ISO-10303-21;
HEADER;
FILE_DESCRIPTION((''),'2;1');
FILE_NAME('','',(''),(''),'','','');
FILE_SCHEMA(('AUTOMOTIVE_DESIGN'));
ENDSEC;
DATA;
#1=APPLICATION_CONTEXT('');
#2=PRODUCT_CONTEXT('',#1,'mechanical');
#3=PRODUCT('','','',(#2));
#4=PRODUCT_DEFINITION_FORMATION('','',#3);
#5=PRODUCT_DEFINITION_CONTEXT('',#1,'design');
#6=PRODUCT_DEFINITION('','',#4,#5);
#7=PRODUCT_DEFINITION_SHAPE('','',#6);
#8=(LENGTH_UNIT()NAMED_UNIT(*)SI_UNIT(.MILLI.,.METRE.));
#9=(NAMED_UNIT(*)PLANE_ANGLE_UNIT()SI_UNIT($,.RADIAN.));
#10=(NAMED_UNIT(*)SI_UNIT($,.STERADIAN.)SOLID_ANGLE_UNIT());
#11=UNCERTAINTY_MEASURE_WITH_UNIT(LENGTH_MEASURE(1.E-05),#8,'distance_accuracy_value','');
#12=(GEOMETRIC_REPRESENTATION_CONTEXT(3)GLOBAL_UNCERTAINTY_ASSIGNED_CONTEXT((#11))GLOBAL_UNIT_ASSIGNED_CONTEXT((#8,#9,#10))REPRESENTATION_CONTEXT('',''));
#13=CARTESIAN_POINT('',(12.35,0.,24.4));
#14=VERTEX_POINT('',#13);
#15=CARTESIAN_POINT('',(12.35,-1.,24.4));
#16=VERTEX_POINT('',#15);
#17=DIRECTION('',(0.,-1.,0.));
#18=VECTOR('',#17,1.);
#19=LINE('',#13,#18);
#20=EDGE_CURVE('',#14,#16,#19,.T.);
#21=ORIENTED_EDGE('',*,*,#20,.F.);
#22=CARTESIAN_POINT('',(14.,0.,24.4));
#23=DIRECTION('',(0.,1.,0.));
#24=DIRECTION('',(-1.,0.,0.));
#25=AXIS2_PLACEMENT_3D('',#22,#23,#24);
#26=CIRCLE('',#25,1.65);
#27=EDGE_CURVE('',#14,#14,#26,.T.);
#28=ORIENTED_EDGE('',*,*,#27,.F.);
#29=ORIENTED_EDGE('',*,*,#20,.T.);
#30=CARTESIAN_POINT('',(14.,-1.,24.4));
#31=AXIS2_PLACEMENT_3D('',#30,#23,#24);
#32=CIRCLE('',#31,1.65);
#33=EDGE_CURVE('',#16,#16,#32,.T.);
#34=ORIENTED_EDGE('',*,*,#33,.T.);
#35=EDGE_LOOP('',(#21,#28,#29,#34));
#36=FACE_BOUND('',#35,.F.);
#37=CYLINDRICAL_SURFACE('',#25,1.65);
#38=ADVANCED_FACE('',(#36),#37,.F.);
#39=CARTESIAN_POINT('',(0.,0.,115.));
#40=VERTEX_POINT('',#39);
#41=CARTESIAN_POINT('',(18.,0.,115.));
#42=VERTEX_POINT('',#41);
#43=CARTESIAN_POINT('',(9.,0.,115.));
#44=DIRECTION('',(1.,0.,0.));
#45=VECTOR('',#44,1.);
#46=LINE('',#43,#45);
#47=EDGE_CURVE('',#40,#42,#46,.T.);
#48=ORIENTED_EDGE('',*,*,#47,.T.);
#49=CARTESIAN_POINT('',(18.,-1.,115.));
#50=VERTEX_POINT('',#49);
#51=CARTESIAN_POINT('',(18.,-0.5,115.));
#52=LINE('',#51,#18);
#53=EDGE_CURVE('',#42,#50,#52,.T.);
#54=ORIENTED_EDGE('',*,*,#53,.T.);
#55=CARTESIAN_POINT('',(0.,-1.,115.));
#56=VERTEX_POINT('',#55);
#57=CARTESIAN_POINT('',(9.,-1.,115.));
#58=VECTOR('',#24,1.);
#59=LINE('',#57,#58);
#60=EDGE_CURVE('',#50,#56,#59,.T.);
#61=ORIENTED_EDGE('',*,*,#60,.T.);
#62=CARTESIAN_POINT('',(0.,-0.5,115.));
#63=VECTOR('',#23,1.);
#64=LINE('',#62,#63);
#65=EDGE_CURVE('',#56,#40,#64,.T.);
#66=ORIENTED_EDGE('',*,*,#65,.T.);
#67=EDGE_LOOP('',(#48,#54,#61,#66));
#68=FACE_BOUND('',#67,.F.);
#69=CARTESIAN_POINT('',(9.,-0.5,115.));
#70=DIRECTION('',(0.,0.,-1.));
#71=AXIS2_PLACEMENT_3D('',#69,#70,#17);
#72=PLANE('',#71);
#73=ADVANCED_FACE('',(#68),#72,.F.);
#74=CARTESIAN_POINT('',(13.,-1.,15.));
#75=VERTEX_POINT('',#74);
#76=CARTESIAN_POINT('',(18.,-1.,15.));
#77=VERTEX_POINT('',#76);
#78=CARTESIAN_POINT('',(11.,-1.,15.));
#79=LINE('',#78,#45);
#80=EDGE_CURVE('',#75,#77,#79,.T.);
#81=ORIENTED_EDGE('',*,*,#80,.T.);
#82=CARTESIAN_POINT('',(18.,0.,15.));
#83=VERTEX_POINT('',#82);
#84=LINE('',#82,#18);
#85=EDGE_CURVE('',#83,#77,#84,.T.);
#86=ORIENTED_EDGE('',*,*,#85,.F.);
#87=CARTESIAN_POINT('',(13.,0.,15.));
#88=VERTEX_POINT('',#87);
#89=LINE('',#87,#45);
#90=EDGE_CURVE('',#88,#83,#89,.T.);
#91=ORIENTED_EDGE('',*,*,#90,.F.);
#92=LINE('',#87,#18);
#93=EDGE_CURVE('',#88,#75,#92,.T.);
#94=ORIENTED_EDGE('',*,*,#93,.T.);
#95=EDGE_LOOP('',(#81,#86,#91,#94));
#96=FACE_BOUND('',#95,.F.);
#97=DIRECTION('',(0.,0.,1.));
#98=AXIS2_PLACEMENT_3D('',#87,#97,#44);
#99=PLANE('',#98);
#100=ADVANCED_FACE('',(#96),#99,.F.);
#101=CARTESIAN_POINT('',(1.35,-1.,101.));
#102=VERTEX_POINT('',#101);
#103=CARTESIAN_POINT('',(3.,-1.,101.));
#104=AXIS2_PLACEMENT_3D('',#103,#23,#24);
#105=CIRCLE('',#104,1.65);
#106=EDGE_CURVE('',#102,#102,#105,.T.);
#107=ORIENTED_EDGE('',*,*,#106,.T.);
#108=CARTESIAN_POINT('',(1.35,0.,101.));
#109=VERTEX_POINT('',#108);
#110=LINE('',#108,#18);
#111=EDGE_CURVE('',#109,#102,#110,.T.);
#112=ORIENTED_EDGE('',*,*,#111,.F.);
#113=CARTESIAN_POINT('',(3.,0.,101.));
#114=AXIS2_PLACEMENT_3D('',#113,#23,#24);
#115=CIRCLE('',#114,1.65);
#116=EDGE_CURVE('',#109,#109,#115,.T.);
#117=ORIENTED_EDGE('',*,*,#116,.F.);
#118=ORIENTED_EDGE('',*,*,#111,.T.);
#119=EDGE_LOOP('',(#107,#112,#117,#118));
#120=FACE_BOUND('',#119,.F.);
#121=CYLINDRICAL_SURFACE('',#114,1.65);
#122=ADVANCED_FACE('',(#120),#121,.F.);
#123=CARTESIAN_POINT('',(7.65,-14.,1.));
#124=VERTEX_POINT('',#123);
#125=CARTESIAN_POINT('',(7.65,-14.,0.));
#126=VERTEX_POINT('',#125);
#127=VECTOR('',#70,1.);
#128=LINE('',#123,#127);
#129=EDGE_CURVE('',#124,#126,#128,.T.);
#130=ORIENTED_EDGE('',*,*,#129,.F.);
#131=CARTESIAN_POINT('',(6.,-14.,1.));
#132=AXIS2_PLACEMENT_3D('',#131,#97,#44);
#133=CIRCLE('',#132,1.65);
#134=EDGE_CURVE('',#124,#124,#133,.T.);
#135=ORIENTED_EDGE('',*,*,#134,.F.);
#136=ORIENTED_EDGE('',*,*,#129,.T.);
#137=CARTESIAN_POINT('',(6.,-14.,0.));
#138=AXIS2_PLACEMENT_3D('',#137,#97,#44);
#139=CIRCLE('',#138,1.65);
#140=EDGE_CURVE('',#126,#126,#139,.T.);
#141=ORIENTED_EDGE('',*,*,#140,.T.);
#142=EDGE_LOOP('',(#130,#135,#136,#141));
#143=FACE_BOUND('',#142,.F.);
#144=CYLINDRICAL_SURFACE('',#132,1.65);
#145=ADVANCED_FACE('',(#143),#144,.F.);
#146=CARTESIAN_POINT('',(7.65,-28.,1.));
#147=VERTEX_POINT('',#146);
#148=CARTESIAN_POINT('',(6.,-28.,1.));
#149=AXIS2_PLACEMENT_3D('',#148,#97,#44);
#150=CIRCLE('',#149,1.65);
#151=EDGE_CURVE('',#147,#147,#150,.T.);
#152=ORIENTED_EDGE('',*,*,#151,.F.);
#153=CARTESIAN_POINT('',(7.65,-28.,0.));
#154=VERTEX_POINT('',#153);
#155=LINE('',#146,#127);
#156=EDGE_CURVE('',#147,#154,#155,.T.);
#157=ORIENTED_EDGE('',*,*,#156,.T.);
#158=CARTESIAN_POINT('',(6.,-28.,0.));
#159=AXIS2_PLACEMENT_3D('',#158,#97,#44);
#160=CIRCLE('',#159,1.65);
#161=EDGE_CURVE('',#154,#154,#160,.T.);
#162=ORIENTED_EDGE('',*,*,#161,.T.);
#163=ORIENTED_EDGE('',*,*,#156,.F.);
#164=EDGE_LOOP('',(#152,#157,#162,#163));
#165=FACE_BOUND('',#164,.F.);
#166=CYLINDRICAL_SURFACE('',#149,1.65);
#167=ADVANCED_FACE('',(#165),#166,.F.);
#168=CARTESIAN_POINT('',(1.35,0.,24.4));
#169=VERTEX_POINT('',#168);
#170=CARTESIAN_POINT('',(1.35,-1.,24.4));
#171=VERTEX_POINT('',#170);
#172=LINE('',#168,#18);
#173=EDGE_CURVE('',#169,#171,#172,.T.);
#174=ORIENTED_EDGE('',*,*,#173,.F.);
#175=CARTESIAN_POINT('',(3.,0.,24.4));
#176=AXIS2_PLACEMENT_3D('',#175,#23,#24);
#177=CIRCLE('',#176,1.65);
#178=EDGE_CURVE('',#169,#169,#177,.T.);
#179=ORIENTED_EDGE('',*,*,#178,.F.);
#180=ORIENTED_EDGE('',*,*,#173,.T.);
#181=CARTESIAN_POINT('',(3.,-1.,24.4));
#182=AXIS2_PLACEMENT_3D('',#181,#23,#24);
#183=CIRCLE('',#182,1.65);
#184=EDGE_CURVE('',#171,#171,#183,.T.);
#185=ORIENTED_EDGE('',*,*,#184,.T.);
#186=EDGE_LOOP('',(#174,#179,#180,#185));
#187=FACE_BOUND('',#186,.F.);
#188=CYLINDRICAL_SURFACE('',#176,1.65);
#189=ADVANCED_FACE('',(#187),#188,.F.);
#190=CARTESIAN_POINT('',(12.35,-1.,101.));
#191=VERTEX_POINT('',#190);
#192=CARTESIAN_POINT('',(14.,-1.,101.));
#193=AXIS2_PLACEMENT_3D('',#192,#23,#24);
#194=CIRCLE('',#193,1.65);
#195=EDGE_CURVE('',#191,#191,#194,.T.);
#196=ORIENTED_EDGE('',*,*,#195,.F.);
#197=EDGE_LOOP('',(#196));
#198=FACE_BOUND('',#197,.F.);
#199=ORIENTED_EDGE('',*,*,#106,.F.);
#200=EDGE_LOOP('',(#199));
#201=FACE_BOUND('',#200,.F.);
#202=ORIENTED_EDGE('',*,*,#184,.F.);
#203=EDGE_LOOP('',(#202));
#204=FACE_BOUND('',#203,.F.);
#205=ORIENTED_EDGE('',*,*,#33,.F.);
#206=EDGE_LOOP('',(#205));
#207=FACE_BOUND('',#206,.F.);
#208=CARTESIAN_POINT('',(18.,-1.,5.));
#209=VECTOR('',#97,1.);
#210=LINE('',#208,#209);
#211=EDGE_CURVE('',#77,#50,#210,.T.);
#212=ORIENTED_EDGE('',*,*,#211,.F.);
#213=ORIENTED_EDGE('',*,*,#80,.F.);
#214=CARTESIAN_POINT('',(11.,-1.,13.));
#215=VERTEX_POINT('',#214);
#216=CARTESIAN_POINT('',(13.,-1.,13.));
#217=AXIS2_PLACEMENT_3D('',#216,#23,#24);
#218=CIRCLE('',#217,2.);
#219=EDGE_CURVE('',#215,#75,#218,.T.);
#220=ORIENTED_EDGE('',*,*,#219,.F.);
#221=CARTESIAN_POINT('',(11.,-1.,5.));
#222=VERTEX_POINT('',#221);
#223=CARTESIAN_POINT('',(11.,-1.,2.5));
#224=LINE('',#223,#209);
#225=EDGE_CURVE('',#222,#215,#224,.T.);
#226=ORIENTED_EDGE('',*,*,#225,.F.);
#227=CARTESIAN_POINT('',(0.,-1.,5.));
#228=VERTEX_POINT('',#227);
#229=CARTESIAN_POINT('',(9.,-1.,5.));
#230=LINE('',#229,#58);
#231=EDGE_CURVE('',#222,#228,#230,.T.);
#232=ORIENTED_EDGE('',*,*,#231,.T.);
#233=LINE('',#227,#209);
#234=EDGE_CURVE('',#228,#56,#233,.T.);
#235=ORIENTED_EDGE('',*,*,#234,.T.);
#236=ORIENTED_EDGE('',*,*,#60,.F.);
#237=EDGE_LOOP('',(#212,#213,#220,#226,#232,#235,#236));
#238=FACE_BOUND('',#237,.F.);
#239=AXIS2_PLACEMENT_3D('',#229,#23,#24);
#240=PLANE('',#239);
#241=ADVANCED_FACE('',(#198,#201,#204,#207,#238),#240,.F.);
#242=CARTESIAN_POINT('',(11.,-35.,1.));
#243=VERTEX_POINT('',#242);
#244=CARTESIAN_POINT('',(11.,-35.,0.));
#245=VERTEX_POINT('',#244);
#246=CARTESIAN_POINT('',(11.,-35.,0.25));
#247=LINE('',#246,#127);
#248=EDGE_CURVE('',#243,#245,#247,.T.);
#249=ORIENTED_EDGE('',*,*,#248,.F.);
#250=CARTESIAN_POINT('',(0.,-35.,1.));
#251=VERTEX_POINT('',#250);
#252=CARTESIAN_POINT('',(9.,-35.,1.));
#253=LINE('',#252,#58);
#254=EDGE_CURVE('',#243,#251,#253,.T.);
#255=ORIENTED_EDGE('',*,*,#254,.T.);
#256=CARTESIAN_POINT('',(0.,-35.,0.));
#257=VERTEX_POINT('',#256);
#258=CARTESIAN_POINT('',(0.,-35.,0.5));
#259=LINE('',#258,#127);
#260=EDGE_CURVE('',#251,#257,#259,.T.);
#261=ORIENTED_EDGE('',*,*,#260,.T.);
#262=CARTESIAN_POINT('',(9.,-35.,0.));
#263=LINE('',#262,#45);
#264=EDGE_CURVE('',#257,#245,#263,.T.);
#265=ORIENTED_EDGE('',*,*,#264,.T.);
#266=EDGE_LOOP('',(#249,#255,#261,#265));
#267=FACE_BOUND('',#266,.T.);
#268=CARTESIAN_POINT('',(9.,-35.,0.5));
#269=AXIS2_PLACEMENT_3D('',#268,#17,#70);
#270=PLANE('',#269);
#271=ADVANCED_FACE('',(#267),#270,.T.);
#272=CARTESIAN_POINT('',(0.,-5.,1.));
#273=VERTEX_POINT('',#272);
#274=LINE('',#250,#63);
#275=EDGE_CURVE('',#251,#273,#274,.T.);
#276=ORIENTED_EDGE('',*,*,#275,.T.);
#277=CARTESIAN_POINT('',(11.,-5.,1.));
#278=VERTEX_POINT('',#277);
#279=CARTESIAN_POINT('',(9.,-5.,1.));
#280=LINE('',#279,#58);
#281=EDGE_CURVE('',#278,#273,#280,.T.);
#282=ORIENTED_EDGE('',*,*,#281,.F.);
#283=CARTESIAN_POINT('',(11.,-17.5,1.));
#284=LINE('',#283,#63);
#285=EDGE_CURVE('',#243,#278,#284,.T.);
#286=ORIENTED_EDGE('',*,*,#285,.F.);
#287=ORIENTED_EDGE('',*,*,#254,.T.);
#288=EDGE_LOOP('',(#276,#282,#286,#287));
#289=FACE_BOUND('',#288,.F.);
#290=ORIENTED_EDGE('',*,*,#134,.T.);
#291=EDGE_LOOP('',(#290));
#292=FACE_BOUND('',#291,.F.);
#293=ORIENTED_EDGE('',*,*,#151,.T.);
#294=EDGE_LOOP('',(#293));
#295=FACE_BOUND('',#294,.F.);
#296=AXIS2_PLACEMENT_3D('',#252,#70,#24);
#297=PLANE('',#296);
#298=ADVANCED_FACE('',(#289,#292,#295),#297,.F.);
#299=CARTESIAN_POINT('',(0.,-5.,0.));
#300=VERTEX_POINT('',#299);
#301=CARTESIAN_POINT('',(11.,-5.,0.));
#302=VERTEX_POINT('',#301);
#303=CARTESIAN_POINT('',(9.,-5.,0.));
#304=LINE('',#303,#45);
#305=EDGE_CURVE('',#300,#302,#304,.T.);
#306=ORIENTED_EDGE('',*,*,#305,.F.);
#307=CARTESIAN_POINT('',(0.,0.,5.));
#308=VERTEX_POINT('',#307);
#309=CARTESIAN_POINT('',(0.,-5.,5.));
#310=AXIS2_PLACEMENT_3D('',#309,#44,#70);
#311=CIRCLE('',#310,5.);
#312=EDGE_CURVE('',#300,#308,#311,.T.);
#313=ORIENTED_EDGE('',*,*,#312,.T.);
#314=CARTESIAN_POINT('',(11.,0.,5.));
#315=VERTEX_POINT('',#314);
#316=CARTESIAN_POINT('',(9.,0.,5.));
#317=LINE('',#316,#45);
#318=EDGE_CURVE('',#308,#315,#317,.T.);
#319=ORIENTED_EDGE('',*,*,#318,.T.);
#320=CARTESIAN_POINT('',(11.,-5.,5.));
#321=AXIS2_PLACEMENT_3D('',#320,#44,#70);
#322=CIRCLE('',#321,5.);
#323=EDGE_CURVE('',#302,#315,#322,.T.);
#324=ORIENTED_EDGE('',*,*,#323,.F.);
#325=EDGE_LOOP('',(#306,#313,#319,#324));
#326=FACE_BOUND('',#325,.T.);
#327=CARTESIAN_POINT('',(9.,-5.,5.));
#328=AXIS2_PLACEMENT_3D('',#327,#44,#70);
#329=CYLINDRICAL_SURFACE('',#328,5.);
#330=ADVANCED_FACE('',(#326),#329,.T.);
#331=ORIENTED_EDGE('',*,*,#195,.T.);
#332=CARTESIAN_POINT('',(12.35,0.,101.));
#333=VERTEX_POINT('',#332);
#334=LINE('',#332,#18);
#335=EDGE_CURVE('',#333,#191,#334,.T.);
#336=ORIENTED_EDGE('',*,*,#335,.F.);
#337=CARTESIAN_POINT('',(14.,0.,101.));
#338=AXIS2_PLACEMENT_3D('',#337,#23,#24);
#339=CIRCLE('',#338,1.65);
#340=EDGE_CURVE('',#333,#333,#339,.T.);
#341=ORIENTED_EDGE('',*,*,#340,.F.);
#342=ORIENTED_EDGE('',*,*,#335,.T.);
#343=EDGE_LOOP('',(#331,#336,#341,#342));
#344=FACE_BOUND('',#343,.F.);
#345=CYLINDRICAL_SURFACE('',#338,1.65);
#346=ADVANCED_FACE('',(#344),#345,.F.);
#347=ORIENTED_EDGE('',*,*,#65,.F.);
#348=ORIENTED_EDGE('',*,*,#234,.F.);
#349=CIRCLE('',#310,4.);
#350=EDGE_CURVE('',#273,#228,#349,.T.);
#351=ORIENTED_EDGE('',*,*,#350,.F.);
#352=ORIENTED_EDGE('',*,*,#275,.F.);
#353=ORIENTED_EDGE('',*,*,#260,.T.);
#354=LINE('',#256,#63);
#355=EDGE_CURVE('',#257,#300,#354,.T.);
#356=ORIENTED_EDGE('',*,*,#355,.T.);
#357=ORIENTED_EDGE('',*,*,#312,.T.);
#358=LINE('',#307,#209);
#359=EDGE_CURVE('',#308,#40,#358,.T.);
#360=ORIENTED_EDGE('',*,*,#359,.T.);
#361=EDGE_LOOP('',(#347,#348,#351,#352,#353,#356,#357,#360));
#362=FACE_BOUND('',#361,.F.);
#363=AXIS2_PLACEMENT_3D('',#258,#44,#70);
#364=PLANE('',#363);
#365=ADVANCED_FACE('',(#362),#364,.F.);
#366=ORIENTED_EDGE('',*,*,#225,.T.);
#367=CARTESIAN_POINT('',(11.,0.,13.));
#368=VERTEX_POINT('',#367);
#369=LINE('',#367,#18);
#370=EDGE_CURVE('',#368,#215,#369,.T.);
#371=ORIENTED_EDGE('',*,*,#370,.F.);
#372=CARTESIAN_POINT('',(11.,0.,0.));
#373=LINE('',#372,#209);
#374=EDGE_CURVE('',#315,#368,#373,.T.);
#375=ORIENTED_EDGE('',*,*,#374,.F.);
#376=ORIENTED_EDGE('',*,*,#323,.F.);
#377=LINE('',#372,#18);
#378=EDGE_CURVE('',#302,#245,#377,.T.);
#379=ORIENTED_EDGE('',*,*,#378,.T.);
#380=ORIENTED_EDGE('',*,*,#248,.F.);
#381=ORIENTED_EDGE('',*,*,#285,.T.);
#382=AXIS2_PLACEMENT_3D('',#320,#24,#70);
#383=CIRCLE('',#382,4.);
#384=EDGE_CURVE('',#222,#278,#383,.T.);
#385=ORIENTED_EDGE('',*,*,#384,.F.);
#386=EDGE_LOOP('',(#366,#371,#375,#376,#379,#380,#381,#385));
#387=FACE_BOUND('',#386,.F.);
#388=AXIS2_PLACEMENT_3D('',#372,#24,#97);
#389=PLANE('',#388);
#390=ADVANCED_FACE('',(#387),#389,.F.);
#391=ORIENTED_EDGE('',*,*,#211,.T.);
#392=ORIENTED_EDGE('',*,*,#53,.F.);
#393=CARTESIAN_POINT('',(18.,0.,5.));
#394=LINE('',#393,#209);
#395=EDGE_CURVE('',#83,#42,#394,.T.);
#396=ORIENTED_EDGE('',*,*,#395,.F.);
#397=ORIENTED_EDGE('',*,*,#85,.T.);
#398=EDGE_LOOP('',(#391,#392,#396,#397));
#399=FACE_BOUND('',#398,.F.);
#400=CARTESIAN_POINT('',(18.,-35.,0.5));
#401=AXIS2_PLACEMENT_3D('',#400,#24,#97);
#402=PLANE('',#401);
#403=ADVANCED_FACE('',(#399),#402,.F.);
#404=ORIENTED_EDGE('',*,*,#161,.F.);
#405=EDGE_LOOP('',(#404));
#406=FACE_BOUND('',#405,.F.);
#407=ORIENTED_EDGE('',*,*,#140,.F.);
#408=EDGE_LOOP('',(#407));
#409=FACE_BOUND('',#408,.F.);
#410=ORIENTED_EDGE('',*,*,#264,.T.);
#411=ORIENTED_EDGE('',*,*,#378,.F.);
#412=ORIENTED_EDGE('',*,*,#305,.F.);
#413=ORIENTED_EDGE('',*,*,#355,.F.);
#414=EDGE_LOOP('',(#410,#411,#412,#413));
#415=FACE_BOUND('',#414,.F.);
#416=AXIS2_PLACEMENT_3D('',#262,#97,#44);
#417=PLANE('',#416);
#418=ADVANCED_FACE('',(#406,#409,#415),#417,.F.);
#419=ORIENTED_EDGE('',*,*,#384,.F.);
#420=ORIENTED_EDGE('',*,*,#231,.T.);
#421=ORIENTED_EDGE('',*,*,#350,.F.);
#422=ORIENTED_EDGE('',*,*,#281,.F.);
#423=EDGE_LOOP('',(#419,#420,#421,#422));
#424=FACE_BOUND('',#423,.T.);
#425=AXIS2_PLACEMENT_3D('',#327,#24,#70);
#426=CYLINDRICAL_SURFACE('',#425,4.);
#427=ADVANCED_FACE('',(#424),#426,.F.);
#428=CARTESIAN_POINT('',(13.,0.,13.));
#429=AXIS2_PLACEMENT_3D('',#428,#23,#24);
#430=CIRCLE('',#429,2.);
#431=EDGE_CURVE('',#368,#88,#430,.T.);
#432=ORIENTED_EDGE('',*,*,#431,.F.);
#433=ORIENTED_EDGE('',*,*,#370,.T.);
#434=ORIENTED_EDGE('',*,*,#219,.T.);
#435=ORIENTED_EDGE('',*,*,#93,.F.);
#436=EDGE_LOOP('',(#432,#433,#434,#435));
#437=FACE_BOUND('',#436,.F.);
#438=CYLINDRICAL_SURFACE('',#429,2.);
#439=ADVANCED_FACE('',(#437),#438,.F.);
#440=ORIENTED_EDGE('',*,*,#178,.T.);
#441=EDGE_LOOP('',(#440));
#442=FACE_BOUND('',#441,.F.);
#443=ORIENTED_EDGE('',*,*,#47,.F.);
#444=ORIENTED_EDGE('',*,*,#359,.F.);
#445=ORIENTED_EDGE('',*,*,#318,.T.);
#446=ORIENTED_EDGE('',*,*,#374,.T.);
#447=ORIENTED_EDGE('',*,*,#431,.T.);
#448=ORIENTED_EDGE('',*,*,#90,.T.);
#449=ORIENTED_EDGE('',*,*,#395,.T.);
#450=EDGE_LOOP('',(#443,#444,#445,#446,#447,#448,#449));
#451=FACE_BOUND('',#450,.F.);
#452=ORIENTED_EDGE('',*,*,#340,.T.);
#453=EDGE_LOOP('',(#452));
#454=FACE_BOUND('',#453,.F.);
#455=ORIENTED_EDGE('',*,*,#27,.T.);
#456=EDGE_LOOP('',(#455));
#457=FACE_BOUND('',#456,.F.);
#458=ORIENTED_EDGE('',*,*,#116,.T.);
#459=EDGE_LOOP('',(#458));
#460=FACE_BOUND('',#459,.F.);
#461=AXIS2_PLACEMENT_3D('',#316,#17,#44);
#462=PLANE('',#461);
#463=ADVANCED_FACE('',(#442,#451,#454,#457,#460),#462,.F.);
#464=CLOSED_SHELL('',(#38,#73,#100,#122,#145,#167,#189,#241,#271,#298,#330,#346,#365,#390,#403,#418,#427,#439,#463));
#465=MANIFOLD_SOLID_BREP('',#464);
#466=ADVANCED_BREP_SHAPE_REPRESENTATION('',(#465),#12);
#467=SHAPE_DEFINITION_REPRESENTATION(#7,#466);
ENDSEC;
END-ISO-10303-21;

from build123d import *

# Parameters (mm, degrees)
F2_W     = 18
F2_H     = 1
F4_R     = 1.65
F5_DEPTH = 1
F6_R     = 1.65
F7_DEPTH = 35.001


with BuildPart() as f3:
    # F3: sweep along a path in F0
    with BuildLine(Plane.YZ) as f3_path:
        Line((-35, 0), (-5, 0))
        ThreePointArc((-5, 0), (-1.4644660941, 1.4644660941), (0, 5))
        Line((0, 5), (0, 115))
    # F2 (on plane+point) → F3 (sweep)
    with BuildSketch(Plane.XZ.offset(35)):
        with Locations((9, 0.5)):
            Rectangle(F2_W, F2_H)
    sweep(path=f3_path.line)

    # F4 (on face) → F5 (cut, through all)
    with BuildSketch(Plane.XY.offset(1)):
        with Locations((6, -14)):
            Circle(F4_R)
        with Locations((6, -28)):
            Circle(F4_R)
    extrude(amount=-F5_DEPTH, mode=Mode.SUBTRACT)

    # F6 (on face) → F7 (cut, through all)
    with BuildSketch(Plane(origin=(0, 0, 0), x_dir=(-1, 0, 0), z_dir=(0, 1, 0))):
        with Locations((-3, 24.4)):
            Circle(F6_R)
        with Locations((-14, 24.4)):
            Circle(F6_R)
        with Locations((-14, 101)):
            Circle(F6_R)
        with Locations((-3, 101)):
            Circle(F6_R)
        with BuildLine():
            Line((-18, 15), (-18, 0))
            Line((-18, 0), (-11, 0))
            Line((-11, 0), (-11, 13))
            ThreePointArc((-11, 13), (-11.5857864376, 14.4142135624), (-13, 15))
            Line((-13, 15), (-18, 15))
        make_face()
    extrude(amount=-F7_DEPTH, mode=Mode.SUBTRACT)


solid = f3.part
